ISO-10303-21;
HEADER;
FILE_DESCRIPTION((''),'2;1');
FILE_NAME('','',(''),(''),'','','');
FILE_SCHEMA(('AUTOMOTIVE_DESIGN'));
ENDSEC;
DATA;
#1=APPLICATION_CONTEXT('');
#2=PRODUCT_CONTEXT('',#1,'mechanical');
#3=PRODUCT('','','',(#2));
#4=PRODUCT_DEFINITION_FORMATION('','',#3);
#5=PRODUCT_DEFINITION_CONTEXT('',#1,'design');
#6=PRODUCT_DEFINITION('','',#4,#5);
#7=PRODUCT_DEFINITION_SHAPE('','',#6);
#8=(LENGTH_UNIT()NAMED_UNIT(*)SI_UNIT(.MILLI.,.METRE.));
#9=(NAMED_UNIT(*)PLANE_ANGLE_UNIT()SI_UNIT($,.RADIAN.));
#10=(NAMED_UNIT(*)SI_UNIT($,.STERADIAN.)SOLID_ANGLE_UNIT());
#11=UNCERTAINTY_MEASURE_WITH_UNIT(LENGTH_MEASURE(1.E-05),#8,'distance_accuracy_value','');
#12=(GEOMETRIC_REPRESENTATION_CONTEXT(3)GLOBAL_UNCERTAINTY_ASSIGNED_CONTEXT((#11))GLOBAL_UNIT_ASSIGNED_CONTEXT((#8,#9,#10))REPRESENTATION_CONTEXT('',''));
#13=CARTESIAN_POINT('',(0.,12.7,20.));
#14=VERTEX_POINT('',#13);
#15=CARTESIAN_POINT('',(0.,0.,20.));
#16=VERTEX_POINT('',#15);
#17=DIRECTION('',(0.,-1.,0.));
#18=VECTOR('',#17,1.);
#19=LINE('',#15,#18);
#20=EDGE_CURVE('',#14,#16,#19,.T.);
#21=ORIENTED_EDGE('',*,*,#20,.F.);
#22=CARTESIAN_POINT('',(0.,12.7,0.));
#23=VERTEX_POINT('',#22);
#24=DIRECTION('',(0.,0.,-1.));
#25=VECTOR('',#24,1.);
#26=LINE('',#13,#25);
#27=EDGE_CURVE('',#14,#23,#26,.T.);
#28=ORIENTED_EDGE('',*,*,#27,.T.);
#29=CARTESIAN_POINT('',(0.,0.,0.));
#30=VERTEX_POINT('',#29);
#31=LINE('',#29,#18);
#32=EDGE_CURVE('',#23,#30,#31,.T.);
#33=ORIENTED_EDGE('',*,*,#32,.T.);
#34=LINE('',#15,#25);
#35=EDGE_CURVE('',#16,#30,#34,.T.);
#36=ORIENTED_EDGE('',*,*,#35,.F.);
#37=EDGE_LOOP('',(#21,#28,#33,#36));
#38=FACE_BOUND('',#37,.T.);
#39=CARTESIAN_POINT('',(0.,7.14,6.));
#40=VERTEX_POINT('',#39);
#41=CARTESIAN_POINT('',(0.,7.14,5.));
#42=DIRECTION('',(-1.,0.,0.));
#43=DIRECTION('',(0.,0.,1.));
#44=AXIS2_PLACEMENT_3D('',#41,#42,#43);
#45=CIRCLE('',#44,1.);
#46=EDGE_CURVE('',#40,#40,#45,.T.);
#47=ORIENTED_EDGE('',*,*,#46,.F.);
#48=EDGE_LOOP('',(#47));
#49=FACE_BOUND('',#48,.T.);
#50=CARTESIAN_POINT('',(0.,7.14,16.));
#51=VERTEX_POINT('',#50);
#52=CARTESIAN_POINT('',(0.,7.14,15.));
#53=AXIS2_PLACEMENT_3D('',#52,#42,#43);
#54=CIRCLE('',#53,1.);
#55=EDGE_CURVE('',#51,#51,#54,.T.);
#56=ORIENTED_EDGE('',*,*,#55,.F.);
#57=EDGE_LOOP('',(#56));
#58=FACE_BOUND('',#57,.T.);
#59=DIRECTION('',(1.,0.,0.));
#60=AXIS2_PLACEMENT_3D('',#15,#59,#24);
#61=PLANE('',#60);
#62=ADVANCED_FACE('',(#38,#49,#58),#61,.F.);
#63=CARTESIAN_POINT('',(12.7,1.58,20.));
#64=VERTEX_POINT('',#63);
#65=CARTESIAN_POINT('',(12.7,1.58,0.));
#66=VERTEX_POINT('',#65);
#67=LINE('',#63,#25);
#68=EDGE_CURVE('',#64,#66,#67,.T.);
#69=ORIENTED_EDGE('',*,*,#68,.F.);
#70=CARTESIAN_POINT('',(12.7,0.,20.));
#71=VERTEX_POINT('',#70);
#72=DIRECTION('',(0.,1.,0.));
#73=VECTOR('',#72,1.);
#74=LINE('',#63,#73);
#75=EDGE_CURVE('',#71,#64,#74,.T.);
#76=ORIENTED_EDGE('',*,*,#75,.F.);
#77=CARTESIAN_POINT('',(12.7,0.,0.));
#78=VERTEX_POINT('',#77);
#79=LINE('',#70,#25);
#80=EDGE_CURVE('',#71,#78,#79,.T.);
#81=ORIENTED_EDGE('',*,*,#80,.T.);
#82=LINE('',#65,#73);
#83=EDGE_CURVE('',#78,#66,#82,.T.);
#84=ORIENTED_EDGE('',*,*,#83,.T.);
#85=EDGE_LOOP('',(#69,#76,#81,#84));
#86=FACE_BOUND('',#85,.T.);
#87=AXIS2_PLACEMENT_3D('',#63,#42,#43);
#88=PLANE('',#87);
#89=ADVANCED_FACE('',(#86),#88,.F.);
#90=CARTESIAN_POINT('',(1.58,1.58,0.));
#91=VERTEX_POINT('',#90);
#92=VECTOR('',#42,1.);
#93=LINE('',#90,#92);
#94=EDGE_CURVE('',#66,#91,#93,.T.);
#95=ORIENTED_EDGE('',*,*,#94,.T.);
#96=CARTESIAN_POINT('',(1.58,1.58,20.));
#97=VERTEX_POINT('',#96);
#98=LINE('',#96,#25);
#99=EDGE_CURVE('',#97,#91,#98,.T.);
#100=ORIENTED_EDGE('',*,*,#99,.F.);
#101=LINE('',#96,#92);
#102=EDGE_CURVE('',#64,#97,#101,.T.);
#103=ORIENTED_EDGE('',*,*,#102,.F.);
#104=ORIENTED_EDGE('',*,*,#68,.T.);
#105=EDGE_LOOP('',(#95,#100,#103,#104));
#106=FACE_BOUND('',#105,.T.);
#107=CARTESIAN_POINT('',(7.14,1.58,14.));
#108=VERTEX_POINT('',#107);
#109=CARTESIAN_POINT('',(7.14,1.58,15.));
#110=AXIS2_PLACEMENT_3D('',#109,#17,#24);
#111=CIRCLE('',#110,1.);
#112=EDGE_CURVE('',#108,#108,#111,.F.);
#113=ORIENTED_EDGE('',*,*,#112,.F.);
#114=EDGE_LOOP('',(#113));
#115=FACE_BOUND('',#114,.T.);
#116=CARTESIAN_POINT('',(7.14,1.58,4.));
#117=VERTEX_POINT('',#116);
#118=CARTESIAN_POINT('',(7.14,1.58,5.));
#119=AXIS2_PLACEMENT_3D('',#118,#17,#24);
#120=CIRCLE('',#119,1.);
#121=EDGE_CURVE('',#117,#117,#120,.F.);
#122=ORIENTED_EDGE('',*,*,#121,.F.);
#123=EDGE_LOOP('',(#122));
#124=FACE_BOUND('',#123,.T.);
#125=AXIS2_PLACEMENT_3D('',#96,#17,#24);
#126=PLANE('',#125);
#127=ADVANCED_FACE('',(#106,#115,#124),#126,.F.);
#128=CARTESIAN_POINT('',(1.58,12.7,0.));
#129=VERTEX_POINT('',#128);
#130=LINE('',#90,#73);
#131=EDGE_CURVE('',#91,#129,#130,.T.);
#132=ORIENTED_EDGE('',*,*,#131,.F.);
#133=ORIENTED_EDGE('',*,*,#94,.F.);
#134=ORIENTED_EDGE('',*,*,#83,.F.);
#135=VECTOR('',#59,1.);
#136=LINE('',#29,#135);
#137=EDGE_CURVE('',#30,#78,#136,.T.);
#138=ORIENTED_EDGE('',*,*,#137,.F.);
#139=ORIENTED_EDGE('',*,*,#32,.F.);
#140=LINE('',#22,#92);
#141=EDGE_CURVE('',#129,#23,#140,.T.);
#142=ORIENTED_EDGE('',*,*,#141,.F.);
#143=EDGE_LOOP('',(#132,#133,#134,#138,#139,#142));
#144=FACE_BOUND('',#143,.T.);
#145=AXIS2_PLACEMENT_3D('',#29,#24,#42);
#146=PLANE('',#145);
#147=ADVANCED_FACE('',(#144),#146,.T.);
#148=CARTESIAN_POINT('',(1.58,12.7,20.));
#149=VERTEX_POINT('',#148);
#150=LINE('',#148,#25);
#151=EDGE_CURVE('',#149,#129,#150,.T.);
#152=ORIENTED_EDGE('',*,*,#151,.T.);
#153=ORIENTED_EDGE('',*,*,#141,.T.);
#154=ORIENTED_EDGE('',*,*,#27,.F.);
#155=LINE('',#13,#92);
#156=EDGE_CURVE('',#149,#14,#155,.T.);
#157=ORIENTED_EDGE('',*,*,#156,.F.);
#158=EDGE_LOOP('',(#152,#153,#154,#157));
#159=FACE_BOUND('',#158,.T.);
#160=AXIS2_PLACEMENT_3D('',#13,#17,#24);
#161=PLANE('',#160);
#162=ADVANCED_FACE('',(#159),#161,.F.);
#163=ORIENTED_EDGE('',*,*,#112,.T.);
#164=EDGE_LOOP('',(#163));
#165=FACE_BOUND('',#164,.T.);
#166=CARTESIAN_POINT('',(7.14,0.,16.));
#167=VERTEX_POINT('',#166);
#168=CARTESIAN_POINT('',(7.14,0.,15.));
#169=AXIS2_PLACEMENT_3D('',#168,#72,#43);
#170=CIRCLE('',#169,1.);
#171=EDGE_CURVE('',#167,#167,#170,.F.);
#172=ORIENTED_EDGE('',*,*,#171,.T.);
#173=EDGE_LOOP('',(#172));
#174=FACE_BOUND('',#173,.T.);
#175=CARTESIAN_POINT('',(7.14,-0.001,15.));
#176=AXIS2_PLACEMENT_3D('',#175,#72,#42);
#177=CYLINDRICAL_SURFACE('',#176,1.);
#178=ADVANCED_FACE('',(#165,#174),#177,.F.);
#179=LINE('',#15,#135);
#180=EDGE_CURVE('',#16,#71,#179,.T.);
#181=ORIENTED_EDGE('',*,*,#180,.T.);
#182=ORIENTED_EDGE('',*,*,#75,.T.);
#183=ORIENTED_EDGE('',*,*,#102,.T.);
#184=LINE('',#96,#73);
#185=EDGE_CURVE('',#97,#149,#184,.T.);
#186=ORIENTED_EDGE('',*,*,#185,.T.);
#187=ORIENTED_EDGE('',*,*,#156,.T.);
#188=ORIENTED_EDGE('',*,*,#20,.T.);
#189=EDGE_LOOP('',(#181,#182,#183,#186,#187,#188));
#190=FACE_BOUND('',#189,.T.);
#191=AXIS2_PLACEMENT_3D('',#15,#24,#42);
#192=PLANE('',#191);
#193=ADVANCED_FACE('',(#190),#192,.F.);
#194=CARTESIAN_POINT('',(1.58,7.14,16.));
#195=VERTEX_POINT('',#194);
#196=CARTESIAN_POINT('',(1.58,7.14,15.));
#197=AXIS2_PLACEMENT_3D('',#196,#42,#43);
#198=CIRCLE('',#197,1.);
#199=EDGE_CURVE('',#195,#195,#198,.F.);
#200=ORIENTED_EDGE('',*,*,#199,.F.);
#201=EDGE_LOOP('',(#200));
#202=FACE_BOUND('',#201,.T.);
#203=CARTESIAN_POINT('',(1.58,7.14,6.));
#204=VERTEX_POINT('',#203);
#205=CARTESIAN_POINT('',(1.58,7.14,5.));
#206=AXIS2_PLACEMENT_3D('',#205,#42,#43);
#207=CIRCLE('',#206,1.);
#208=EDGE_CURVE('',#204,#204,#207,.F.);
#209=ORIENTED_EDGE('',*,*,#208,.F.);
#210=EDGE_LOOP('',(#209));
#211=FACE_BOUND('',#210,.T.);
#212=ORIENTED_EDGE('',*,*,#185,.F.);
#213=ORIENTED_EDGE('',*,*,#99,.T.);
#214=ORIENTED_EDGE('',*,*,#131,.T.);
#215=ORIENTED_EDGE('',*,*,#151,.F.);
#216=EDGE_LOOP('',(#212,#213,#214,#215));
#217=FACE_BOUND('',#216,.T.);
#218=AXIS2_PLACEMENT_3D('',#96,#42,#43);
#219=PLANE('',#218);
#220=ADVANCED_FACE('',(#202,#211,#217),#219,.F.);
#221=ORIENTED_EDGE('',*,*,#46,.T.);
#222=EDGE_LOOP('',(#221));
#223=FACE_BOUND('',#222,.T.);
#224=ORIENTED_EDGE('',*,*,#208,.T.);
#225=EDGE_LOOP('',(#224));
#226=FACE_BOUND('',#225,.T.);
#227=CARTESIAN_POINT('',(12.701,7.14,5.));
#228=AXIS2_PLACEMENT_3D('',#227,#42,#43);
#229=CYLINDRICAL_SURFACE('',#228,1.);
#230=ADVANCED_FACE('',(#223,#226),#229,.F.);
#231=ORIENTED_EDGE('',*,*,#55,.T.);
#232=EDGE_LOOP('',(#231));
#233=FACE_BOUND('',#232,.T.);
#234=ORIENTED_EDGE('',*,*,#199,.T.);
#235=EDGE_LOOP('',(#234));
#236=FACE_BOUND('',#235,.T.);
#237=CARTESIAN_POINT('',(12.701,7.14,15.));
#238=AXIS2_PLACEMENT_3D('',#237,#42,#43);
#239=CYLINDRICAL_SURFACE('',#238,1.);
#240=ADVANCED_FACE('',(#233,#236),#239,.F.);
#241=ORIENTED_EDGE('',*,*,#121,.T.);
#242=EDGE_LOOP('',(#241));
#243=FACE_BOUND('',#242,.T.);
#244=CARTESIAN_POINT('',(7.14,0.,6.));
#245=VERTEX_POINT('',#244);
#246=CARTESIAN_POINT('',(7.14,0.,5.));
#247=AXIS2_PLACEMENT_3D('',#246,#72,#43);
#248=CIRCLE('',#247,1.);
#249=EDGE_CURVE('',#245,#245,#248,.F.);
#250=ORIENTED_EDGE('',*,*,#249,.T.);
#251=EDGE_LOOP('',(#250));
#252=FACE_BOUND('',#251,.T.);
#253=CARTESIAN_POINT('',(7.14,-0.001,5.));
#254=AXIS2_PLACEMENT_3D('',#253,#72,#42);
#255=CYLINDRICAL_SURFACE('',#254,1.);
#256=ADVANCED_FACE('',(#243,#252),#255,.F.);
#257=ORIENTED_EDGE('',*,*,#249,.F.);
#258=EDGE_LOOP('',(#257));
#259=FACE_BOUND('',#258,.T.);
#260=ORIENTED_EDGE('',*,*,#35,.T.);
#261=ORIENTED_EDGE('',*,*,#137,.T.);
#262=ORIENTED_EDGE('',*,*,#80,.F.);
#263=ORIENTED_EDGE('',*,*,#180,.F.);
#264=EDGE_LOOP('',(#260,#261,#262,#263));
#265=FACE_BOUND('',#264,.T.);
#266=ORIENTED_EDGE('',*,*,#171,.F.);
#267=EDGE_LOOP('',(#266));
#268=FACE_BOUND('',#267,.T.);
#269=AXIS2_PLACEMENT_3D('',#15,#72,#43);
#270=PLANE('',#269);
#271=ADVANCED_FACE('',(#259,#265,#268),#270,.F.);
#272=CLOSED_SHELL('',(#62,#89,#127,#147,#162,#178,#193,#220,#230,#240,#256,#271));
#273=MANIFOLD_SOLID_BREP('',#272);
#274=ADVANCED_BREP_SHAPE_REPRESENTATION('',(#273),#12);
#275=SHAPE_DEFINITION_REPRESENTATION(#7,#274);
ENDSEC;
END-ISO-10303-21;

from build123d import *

# Parameters (mm, degrees)
BOSS_EXTRUDE1_DEPTH = 20
CUT_EXTRUDE1_REACH  = 28.881
CIRPATTERN1_COUNT   = 2
CIRPATTERN1_ANGLE   = 90


with BuildPart() as part:
    # Sketch1 → Boss-Extrude1 (new body)
    with BuildSketch(Plane.XY):
        Polygon((0, 0), (0, 12.7), (1.58, 12.7), (1.58, 1.58), (12.7, 1.58), (12.7, 0), align=None)
    extrude(amount=BOSS_EXTRUDE1_DEPTH)

    # Sketch2 → Cut-Extrude1 (cut, up to next)
    with BuildSketch(Plane.ZY, mode=Mode.PRIVATE) as cut_extrude1_sk1:
        with BuildLine():
            ThreePointArc((4, 7.14), (5, 6.14), (6, 7.14))
            Line((6, 7.14), (4, 7.14))
        make_face()
    cut_extrude1_tool1 = extrude(cut_extrude1_sk1.sketch, amount=-CUT_EXTRUDE1_REACH, mode=Mode.PRIVATE) & part.part
    # Sketch2 → Cut-Extrude1 (cut, up to next)
    with BuildSketch(Plane.ZY, mode=Mode.PRIVATE) as cut_extrude1_sk2:
        with BuildLine():
            Line((4, 7.14), (6, 7.14))
            ThreePointArc((6, 7.14), (5, 8.14), (4, 7.14))
        make_face()
    cut_extrude1_tool2 = extrude(cut_extrude1_sk2.sketch, amount=-CUT_EXTRUDE1_REACH, mode=Mode.PRIVATE) & part.part
    # Sketch2 → Cut-Extrude1 (cut, up to next)
    with BuildSketch(Plane.ZY, mode=Mode.PRIVATE) as cut_extrude1_sk3:
        with BuildLine():
            ThreePointArc((4, 7.14), (5, 6.14), (6, 7.14))
            Line((6, 7.14), (4, 7.14))
        make_face()
    cut_extrude1_tool3 = extrude(cut_extrude1_sk3.sketch, amount=-CUT_EXTRUDE1_REACH, mode=Mode.PRIVATE) & part.part
    # Sketch2 → Cut-Extrude1 (cut, up to next)
    with BuildSketch(Plane.ZY, mode=Mode.PRIVATE) as cut_extrude1_sk4:
        with BuildLine():
            Line((4, 7.14), (6, 7.14))
            ThreePointArc((6, 7.14), (5, 8.14), (4, 7.14))
        make_face()
    cut_extrude1_tool4 = extrude(cut_extrude1_sk4.sketch, amount=-CUT_EXTRUDE1_REACH, mode=Mode.PRIVATE) & part.part
    # Sketch2 → Cut-Extrude1 (cut, up to next)
    with BuildSketch(Plane.ZY, mode=Mode.PRIVATE) as cut_extrude1_sk5:
        with BuildLine():
            ThreePointArc((16, 7.14), (15, 8.14), (14, 7.14))
            Line((14, 7.14), (16, 7.14))
        make_face()
    cut_extrude1_tool5 = extrude(cut_extrude1_sk5.sketch, amount=-CUT_EXTRUDE1_REACH, mode=Mode.PRIVATE) & part.part
    # Sketch2 → Cut-Extrude1 (cut, up to next)
    with BuildSketch(Plane.ZY, mode=Mode.PRIVATE) as cut_extrude1_sk6:
        with BuildLine():
            Line((16, 7.14), (14, 7.14))
            ThreePointArc((14, 7.14), (15, 6.14), (16, 7.14))
        make_face()
    cut_extrude1_tool6 = extrude(cut_extrude1_sk6.sketch, amount=-CUT_EXTRUDE1_REACH, mode=Mode.PRIVATE) & part.part
    # Sketch2 → Cut-Extrude1 (cut, up to next)
    with BuildSketch(Plane.ZY, mode=Mode.PRIVATE) as cut_extrude1_sk7:
        with BuildLine():
            ThreePointArc((16, 7.14), (15, 8.14), (14, 7.14))
            Line((14, 7.14), (16, 7.14))
        make_face()
    cut_extrude1_tool7 = extrude(cut_extrude1_sk7.sketch, amount=-CUT_EXTRUDE1_REACH, mode=Mode.PRIVATE) & part.part
    # Sketch2 → Cut-Extrude1 (cut, up to next)
    with BuildSketch(Plane.ZY, mode=Mode.PRIVATE) as cut_extrude1_sk8:
        with BuildLine():
            Line((16, 7.14), (14, 7.14))
            ThreePointArc((14, 7.14), (15, 6.14), (16, 7.14))
        make_face()
    cut_extrude1_tool8 = extrude(cut_extrude1_sk8.sketch, amount=-CUT_EXTRUDE1_REACH, mode=Mode.PRIVATE) & part.part
    cut_extrude1_1 = cut_extrude1_tool1.solids().sort_by_distance((0, 6.715587, 5))[0]
    add(cut_extrude1_1, mode=Mode.SUBTRACT)
    cut_extrude1_2 = cut_extrude1_tool2.solids().sort_by_distance((0, 7.564413, 5))[0]
    add(cut_extrude1_2, mode=Mode.SUBTRACT)
    cut_extrude1_3 = cut_extrude1_tool3.solids().sort_by_distance((0, 6.715587, 5))[0]
    add(cut_extrude1_3, mode=Mode.SUBTRACT)
    cut_extrude1_4 = cut_extrude1_tool4.solids().sort_by_distance((0, 7.564413, 5))[0]
    add(cut_extrude1_4, mode=Mode.SUBTRACT)
    cut_extrude1_5 = cut_extrude1_tool5.solids().sort_by_distance((0, 7.564413, 15))[0]
    add(cut_extrude1_5, mode=Mode.SUBTRACT)
    cut_extrude1_6 = cut_extrude1_tool6.solids().sort_by_distance((0, 6.715587, 15))[0]
    add(cut_extrude1_6, mode=Mode.SUBTRACT)
    cut_extrude1_7 = cut_extrude1_tool7.solids().sort_by_distance((0, 7.564413, 15))[0]
    add(cut_extrude1_7, mode=Mode.SUBTRACT)
    cut_extrude1_8 = cut_extrude1_tool8.solids().sort_by_distance((0, 6.715587, 15))[0]
    add(cut_extrude1_8, mode=Mode.SUBTRACT)
    cut_extrude1 = cut_extrude1_1 + cut_extrude1_2 + cut_extrude1_3 + cut_extrude1_4 + cut_extrude1_5 + cut_extrude1_6 + cut_extrude1_7 + cut_extrude1_8  # Cut-Extrude1 as one shape, for the pattern or mirror that repeats it

    # CirPattern1: Cut-Extrude1; each copy of Cut-Extrude1 runs up to whatever stops it at its own place
    cirpattern1_before = part.part  # the part as the pattern finds it: every copy runs up to it
    cirpattern1_cut_extrude1_long1 = extrude(cut_extrude1_sk1.sketch, amount=-CUT_EXTRUDE1_REACH, mode=Mode.PRIVATE)
    cirpattern1_cut_extrude1_long2 = extrude(cut_extrude1_sk2.sketch, amount=-CUT_EXTRUDE1_REACH, mode=Mode.PRIVATE)
    cirpattern1_cut_extrude1_long3 = extrude(cut_extrude1_sk3.sketch, amount=-CUT_EXTRUDE1_REACH, mode=Mode.PRIVATE)
    cirpattern1_cut_extrude1_long4 = extrude(cut_extrude1_sk4.sketch, amount=-CUT_EXTRUDE1_REACH, mode=Mode.PRIVATE)
    cirpattern1_cut_extrude1_long5 = extrude(cut_extrude1_sk5.sketch, amount=-CUT_EXTRUDE1_REACH, mode=Mode.PRIVATE)
    cirpattern1_cut_extrude1_long6 = extrude(cut_extrude1_sk6.sketch, amount=-CUT_EXTRUDE1_REACH, mode=Mode.PRIVATE)
    cirpattern1_cut_extrude1_long7 = extrude(cut_extrude1_sk7.sketch, amount=-CUT_EXTRUDE1_REACH, mode=Mode.PRIVATE)
    cirpattern1_cut_extrude1_long8 = extrude(cut_extrude1_sk8.sketch, amount=-CUT_EXTRUDE1_REACH, mode=Mode.PRIVATE)
    cirpattern1_cut_extrude1_tool1_1 = cirpattern1_cut_extrude1_long1.rotate(Axis((1.58, 1.58, 20), (0, 0, -1)), 1 * CIRPATTERN1_ANGLE / (CIRPATTERN1_COUNT - 1)) & cirpattern1_before
    add(cirpattern1_cut_extrude1_tool1_1.solids().sort_by_distance((6.715587, 3.16, 5))[0], mode=Mode.SUBTRACT)
    cirpattern1_cut_extrude1_tool2_1 = cirpattern1_cut_extrude1_long2.rotate(Axis((1.58, 1.58, 20), (0, 0, -1)), 1 * CIRPATTERN1_ANGLE / (CIRPATTERN1_COUNT - 1)) & cirpattern1_before
    add(cirpattern1_cut_extrude1_tool2_1.solids().sort_by_distance((7.564413, 3.16, 5))[0], mode=Mode.SUBTRACT)
    cirpattern1_cut_extrude1_tool3_1 = cirpattern1_cut_extrude1_long3.rotate(Axis((1.58, 1.58, 20), (0, 0, -1)), 1 * CIRPATTERN1_ANGLE / (CIRPATTERN1_COUNT - 1)) & cirpattern1_before
    add(cirpattern1_cut_extrude1_tool3_1.solids().sort_by_distance((6.715587, 3.16, 5))[0], mode=Mode.SUBTRACT)
    cirpattern1_cut_extrude1_tool4_1 = cirpattern1_cut_extrude1_long4.rotate(Axis((1.58, 1.58, 20), (0, 0, -1)), 1 * CIRPATTERN1_ANGLE / (CIRPATTERN1_COUNT - 1)) & cirpattern1_before
    add(cirpattern1_cut_extrude1_tool4_1.solids().sort_by_distance((7.564413, 3.16, 5))[0], mode=Mode.SUBTRACT)
    cirpattern1_cut_extrude1_tool5_1 = cirpattern1_cut_extrude1_long5.rotate(Axis((1.58, 1.58, 20), (0, 0, -1)), 1 * CIRPATTERN1_ANGLE / (CIRPATTERN1_COUNT - 1)) & cirpattern1_before
    add(cirpattern1_cut_extrude1_tool5_1.solids().sort_by_distance((7.564413, 3.16, 15))[0], mode=Mode.SUBTRACT)
    cirpattern1_cut_extrude1_tool6_1 = cirpattern1_cut_extrude1_long6.rotate(Axis((1.58, 1.58, 20), (0, 0, -1)), 1 * CIRPATTERN1_ANGLE / (CIRPATTERN1_COUNT - 1)) & cirpattern1_before
    add(cirpattern1_cut_extrude1_tool6_1.solids().sort_by_distance((6.715587, 3.16, 15))[0], mode=Mode.SUBTRACT)
    cirpattern1_cut_extrude1_tool7_1 = cirpattern1_cut_extrude1_long7.rotate(Axis((1.58, 1.58, 20), (0, 0, -1)), 1 * CIRPATTERN1_ANGLE / (CIRPATTERN1_COUNT - 1)) & cirpattern1_before
    add(cirpattern1_cut_extrude1_tool7_1.solids().sort_by_distance((7.564413, 3.16, 15))[0], mode=Mode.SUBTRACT)
    cirpattern1_cut_extrude1_tool8_1 = cirpattern1_cut_extrude1_long8.rotate(Axis((1.58, 1.58, 20), (0, 0, -1)), 1 * CIRPATTERN1_ANGLE / (CIRPATTERN1_COUNT - 1)) & cirpattern1_before
    add(cirpattern1_cut_extrude1_tool8_1.solids().sort_by_distance((6.715587, 3.16, 15))[0], mode=Mode.SUBTRACT)


solid = part.part
